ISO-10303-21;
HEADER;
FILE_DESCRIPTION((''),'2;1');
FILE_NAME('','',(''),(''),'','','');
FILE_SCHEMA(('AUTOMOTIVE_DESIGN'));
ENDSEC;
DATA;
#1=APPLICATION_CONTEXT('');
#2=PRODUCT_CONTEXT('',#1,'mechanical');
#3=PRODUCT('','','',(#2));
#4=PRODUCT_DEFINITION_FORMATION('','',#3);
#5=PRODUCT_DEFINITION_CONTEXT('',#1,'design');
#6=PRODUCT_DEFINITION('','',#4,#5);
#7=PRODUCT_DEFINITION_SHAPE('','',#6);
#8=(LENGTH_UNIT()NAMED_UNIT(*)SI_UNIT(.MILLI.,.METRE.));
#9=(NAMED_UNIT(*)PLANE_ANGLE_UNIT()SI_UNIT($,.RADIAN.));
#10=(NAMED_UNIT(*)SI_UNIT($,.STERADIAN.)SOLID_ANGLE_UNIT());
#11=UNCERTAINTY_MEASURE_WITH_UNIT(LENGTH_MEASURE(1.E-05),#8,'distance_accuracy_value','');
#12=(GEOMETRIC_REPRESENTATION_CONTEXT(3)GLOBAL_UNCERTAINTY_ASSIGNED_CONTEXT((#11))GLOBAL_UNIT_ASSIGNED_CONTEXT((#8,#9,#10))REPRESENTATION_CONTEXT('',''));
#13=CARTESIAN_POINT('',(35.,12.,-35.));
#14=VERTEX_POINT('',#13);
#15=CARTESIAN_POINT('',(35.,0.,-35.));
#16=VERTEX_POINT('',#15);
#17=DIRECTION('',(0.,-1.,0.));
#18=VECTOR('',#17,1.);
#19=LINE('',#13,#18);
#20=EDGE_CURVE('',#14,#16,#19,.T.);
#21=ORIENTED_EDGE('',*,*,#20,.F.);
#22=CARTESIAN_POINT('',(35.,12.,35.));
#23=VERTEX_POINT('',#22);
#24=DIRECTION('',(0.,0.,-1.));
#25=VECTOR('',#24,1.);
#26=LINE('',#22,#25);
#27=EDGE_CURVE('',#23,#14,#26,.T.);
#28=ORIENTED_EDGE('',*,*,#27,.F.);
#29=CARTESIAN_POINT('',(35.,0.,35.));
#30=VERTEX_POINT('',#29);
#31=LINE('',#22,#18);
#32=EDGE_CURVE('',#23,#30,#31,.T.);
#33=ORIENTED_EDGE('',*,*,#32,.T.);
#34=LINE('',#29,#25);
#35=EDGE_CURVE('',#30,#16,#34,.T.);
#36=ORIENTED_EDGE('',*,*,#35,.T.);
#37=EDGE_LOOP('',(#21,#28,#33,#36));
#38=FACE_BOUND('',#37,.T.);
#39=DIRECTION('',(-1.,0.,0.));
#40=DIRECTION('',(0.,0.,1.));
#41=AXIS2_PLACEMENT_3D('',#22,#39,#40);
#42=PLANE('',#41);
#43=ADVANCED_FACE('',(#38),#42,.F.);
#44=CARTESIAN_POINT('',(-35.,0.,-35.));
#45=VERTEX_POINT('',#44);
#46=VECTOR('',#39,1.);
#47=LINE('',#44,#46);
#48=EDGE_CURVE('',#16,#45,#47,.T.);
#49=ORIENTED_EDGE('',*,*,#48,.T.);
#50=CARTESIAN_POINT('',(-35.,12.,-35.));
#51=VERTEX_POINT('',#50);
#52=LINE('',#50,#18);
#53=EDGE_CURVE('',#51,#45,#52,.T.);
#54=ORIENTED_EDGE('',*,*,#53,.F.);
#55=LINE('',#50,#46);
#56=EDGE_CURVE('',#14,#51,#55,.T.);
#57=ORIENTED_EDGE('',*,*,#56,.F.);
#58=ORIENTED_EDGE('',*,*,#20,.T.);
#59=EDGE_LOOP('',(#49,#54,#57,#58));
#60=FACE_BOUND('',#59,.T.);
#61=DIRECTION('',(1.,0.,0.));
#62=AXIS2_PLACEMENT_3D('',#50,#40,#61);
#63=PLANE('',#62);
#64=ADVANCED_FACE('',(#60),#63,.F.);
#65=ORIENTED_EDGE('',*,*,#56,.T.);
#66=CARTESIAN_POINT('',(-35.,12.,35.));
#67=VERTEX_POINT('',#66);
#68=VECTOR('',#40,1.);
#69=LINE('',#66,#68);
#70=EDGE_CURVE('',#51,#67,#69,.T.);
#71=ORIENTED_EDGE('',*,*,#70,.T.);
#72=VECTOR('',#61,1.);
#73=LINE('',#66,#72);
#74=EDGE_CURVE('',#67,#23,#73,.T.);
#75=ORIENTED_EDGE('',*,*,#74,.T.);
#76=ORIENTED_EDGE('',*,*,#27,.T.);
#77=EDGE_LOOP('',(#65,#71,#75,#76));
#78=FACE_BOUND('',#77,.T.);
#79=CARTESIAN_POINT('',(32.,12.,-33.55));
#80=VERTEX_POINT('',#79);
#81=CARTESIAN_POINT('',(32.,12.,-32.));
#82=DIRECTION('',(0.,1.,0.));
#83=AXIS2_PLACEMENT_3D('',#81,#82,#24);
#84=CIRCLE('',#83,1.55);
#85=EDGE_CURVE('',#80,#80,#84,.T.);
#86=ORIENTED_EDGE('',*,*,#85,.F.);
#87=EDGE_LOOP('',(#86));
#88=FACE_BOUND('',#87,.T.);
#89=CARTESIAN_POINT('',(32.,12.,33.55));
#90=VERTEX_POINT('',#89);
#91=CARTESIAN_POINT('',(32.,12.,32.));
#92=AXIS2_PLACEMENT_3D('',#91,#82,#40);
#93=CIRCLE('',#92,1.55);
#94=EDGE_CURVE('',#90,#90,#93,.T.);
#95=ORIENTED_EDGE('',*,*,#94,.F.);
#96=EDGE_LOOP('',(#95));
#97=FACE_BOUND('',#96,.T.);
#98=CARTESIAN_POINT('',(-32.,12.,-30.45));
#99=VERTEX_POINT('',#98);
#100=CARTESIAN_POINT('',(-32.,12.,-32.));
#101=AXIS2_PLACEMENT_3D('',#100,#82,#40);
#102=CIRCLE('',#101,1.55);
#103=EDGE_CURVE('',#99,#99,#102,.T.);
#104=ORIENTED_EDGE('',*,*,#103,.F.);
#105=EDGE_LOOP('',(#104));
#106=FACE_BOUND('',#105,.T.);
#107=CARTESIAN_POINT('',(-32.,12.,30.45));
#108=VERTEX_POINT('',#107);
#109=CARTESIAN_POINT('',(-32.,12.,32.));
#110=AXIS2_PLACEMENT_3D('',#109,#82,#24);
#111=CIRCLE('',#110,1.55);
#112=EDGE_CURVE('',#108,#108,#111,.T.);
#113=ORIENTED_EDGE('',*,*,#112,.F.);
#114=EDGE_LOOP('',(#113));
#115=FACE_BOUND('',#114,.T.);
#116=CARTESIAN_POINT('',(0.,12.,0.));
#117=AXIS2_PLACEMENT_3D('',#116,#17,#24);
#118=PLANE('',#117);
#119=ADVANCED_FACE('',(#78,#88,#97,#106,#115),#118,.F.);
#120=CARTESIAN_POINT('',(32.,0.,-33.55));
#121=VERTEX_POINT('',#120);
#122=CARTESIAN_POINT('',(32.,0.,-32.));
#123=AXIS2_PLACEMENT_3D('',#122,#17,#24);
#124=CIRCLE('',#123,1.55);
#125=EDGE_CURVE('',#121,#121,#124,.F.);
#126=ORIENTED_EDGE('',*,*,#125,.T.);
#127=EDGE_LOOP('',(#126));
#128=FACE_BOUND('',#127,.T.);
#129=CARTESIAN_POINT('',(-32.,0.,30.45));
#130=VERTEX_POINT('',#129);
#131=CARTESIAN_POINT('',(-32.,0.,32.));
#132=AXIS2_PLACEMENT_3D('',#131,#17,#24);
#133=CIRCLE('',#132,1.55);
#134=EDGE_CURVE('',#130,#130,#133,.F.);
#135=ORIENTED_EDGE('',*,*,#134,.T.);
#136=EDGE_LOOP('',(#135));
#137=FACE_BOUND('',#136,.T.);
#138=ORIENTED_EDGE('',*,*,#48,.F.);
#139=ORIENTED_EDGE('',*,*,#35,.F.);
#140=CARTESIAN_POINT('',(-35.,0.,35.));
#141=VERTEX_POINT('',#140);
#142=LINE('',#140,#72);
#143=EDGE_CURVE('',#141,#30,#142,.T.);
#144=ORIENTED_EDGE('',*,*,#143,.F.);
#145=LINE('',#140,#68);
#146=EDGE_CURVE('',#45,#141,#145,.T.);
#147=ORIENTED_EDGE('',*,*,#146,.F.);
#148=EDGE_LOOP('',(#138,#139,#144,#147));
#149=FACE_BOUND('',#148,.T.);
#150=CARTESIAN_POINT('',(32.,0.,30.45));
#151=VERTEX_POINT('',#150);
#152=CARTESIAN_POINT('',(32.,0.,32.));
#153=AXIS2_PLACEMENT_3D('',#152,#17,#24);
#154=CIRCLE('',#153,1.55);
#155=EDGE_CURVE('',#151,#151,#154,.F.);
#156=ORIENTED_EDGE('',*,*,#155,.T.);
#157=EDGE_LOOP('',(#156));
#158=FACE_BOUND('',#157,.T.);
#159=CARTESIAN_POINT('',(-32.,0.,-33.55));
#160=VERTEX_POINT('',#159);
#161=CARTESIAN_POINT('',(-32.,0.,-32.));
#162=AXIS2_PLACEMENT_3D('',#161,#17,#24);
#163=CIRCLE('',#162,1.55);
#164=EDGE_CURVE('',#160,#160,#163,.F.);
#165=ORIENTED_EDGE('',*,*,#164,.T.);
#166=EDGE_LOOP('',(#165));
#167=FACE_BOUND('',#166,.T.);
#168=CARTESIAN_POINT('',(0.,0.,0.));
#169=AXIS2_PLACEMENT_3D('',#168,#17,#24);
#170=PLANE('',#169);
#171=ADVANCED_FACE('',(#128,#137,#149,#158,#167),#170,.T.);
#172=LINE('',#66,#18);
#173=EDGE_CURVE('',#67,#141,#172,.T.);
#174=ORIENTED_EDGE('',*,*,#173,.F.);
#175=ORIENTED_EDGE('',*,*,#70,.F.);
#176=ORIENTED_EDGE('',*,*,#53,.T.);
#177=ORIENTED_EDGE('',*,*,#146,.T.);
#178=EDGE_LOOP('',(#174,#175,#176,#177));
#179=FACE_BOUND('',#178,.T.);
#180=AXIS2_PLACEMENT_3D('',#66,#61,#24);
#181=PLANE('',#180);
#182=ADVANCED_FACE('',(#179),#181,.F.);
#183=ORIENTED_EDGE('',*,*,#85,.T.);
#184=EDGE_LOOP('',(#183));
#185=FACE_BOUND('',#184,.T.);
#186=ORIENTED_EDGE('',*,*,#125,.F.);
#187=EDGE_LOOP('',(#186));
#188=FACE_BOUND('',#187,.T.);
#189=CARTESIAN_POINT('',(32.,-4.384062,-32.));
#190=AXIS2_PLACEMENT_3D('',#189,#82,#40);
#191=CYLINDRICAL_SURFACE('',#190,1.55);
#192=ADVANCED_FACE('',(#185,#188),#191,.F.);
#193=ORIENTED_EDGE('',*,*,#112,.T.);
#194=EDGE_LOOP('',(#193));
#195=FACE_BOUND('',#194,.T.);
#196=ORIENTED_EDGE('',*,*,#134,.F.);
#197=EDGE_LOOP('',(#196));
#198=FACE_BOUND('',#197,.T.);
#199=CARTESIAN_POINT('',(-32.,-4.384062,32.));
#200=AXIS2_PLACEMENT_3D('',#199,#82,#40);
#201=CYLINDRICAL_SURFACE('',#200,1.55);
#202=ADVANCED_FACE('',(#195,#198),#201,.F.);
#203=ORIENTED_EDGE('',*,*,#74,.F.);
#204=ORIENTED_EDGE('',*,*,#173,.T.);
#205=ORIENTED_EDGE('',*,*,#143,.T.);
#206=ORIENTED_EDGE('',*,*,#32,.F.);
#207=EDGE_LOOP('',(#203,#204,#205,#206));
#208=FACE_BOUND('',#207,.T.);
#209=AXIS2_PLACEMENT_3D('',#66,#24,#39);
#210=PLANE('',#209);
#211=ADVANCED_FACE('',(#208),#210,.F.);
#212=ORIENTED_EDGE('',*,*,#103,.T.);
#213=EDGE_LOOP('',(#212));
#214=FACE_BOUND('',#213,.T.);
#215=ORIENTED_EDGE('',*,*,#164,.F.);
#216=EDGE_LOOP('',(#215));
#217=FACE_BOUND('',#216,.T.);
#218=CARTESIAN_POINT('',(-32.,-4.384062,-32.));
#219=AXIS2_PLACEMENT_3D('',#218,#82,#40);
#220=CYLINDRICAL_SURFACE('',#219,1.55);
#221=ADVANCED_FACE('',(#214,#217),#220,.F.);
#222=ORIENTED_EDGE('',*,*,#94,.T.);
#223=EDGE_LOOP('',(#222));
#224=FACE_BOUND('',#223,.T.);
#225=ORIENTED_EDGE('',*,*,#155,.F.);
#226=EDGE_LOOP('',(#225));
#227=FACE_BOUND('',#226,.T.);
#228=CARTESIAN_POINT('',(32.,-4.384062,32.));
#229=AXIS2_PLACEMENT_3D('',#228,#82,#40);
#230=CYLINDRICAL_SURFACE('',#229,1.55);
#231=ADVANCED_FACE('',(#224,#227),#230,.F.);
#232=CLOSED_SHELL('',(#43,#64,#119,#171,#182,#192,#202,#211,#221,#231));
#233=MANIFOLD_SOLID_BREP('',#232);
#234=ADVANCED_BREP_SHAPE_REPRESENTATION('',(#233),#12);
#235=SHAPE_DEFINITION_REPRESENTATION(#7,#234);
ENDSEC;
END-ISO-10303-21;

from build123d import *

# Parameters (mm, degrees)
ESBO_O1_W                = 70
ESBO_O1_H                = 70
RESSALTO_EXTRUS_O1_DEPTH = 12
ESBO_O2_R                = 1.55
CORTE_EXTRUS_O1_DEPTH    = 12


with BuildPart() as part:
    # Esboço1 → Ressalto-extrusão1 (new body)
    with BuildSketch(Plane(origin=(0, 0, 0), x_dir=(1, 0, 0), z_dir=(0, 1, 0))):
        Rectangle(ESBO_O1_W, ESBO_O1_H)
    extrude(amount=RESSALTO_EXTRUS_O1_DEPTH)

    # Esboço2 → Corte-extrusão1 (cut)
    with BuildSketch(Plane(origin=(0, 12, 0), x_dir=(1, 0, 0), z_dir=(0, 1, 0))):
        with Locations(Location((-32, 32, 0), (0, 0, 270))):
            Circle(ESBO_O2_R)
        with Locations(Location((32, 32, 0), (0, 0, 90))):
            Circle(ESBO_O2_R)
        with Locations(Location((32, -32, 0), (0, 0, 270))):
            Circle(ESBO_O2_R)
        with Locations(Location((-32, -32, 0), (0, 0, 90))):
            Circle(ESBO_O2_R)
    extrude(amount=-CORTE_EXTRUS_O1_DEPTH, mode=Mode.SUBTRACT)


solid = part.part
